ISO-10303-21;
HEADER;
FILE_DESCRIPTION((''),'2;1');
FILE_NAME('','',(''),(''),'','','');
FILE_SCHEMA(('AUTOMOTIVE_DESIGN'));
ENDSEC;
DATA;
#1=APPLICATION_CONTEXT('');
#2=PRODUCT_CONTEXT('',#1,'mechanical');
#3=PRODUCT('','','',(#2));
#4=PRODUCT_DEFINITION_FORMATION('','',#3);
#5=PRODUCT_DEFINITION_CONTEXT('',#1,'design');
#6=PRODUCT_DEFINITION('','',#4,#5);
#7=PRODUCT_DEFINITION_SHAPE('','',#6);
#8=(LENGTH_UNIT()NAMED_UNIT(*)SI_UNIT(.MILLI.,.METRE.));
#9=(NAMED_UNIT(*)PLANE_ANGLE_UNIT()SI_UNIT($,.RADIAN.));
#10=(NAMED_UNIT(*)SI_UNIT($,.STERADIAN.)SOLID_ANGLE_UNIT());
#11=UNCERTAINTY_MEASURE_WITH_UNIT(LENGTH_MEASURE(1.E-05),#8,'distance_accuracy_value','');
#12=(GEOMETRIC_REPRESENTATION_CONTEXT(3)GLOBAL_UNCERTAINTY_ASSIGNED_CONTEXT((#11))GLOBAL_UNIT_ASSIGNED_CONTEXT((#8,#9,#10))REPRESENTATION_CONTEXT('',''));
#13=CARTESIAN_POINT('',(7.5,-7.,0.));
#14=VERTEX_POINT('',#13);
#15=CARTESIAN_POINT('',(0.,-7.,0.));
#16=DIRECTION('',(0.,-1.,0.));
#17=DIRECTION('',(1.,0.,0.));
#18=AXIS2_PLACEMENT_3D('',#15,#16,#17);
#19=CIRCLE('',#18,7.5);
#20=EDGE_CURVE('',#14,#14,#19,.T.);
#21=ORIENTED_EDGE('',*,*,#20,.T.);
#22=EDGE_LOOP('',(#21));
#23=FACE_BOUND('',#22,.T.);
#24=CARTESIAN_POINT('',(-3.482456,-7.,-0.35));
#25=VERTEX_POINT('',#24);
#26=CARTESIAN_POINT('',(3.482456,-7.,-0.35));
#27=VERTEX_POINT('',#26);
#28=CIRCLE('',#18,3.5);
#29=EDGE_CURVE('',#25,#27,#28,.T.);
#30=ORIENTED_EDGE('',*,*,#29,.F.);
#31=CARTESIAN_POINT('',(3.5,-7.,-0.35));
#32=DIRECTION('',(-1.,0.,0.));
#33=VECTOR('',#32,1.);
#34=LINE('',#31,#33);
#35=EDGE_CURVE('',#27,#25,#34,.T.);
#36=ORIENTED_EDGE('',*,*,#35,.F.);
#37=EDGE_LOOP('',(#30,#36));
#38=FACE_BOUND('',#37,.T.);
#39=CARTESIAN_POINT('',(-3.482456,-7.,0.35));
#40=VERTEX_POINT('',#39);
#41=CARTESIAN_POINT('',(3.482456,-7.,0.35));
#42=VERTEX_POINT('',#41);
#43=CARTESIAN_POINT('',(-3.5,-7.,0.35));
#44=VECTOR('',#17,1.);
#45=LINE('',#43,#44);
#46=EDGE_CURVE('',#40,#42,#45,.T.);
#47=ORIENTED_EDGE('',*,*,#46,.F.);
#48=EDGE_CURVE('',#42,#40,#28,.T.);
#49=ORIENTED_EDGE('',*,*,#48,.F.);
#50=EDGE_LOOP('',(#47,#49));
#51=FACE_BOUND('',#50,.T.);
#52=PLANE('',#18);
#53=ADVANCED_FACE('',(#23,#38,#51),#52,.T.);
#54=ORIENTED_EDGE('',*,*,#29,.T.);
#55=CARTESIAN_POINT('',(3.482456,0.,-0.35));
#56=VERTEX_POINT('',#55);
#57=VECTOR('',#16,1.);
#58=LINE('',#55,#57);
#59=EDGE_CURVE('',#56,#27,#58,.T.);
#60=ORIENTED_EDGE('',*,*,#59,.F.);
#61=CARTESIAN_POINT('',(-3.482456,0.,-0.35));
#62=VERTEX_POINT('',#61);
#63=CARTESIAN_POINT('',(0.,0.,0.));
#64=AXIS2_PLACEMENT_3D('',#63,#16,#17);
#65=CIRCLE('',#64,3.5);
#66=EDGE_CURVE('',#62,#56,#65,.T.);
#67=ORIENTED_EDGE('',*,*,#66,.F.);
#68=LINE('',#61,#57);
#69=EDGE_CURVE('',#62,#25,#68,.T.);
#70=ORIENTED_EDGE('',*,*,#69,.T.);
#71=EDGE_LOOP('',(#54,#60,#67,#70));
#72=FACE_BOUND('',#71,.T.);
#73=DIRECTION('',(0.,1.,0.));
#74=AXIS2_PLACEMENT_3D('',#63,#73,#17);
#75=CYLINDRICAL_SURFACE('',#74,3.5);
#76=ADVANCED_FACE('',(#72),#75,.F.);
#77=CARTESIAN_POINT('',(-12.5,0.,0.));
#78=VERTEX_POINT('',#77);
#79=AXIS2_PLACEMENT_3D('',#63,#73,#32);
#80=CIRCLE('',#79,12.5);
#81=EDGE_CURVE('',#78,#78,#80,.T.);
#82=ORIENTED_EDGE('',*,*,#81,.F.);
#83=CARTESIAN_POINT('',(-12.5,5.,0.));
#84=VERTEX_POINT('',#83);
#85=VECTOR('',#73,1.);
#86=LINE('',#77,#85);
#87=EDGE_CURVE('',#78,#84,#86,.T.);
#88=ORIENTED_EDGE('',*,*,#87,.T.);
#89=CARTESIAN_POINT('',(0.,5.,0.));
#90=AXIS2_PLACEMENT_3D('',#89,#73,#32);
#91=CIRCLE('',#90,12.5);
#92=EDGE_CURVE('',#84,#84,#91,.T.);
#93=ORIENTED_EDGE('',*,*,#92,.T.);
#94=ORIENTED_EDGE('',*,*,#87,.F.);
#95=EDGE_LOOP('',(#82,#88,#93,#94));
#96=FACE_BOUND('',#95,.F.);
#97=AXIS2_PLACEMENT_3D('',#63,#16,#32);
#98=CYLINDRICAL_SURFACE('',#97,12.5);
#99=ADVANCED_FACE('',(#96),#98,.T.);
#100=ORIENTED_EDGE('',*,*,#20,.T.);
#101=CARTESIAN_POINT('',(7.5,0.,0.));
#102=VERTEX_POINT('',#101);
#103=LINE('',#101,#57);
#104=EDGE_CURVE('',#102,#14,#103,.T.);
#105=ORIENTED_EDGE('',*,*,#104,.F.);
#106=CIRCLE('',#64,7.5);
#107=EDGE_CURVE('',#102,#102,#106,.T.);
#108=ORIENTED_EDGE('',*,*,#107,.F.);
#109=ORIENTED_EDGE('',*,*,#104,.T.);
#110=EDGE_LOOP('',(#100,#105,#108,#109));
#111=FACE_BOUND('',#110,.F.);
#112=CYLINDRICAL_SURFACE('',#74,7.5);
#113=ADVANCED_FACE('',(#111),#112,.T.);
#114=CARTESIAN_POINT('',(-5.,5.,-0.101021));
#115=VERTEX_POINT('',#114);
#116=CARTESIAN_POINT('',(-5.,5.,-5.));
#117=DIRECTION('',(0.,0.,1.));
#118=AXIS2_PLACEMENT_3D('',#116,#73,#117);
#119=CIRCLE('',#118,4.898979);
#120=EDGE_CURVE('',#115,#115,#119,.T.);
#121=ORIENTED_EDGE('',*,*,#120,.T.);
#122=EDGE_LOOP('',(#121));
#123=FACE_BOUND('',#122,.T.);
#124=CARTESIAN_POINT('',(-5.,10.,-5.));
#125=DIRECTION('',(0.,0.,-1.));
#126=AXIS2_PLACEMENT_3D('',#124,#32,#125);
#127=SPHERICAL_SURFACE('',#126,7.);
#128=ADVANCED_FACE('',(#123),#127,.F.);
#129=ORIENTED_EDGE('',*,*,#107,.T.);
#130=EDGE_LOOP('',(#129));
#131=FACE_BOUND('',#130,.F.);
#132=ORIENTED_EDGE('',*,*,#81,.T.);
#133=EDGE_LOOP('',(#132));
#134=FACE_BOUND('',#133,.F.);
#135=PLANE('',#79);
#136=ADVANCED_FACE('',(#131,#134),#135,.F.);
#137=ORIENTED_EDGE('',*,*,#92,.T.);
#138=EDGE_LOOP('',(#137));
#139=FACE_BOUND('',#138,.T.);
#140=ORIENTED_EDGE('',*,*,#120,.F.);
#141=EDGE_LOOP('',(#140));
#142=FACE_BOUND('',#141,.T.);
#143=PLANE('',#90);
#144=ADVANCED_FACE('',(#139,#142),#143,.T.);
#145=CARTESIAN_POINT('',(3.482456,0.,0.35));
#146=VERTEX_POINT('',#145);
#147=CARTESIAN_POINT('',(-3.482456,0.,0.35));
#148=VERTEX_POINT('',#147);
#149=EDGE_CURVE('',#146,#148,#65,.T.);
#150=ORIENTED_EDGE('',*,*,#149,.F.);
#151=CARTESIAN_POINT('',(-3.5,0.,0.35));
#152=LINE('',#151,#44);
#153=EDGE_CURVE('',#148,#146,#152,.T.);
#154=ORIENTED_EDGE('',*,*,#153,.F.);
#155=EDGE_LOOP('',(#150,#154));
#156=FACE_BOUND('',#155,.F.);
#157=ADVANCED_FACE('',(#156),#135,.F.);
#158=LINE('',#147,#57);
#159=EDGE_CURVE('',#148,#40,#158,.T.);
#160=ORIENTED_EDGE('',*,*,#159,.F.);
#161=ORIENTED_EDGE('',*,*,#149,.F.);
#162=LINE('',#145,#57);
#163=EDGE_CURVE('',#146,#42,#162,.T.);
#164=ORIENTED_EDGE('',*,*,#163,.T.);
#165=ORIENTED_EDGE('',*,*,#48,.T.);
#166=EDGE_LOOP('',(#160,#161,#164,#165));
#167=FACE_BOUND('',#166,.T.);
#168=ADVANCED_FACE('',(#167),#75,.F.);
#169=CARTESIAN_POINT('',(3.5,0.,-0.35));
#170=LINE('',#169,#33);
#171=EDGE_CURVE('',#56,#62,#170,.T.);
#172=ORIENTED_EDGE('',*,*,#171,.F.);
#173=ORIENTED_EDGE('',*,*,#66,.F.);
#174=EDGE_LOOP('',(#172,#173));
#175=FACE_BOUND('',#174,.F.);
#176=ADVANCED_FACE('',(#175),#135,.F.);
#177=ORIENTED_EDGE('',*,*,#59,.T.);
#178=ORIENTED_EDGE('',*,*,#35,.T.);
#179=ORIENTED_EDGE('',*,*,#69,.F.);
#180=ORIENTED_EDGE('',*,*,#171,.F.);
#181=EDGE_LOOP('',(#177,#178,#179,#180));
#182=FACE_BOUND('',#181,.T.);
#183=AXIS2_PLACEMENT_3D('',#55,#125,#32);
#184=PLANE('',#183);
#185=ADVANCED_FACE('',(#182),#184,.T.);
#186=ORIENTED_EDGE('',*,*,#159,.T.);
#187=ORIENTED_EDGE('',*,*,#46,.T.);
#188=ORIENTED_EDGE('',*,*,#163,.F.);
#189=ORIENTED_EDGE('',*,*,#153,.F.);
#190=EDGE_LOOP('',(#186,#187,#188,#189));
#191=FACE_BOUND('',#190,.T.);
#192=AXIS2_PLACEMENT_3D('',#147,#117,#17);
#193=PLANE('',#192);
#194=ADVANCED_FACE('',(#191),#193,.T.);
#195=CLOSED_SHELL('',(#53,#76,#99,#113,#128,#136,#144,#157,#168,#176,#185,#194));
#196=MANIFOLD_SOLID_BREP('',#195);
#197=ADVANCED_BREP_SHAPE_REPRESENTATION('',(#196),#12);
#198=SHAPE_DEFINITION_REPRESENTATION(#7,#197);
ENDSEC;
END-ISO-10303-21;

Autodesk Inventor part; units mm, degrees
ref_plane "YZ Plane" through (0, 0, 0) normal (1, 0, 0) x (0, 1, 0)
ref_plane "XZ Plane" through (0, 0, 0) normal (0, 1, 0) x (-1, 0, 0)
ref_plane "XY Plane" through (0, 0, 0) normal (0, 0, 1) x (1, 0, 0)
sketch "Esquisse1" plane through (0, 0, 0) normal (0, 1, 0) x (-1, 0, 0)
  circle A0 centre (0, 0) radius 12.5
  dimension "d0" = 25
extrude "Extrusion1" add sketch "Esquisse1" along normal blind 5
sketch "Esquisse3" plane through (0, 0, 0) normal (0, -1, 0) x (1, 0, 0)
  line L0 (-3.5, 0.35) -> (3.5, 0.35)
  line L1 (3.5, 0.35) -> (3.5, -0.35)
  line L2 (3.5, -0.35) -> (-3.5, -0.35)
  line L3 (-3.5, -0.35) -> (-3.5, 0.35)
  line L4 (-3.5, 0.35) -> (3.5, -0.35) construction
  line L5 (3.5, 0.35) -> (-3.5, -0.35) construction
  circle A0 centre (0, 0) radius 3.5
  circle A1 centre (0, 0) radius 7.5
  point P0 (3.4825, 0.35)
  point P1 (-3.4825, 0.35)
  point P2 (3.4825, -0.35)
  point P3 (-3.4825, -0.35)
  dimension "d12" = 0.7
  dimension "d14" = 7
  dimension "d15" = 4
extrude "Extrusion2" add sketch "Esquisse3" along normal blind 7 contours L0 A0 L3 | L0 A0 L2 | A0 L2 L3 | L0 L1 A0 | L1 L2 A0 | A1
ref_plane "Plan de construction1" through (0, 10, 0) normal (0, 1, 0) x (1, 0, 0)
sketch "Esquisse4" plane through (0, 10, 0) normal (0, 1, 0) x (1, 0, 0)
  line L0 (0, 0) -> (0, 22.3046) construction
  line L1 (-26.1226, 0) -> (0, 0) construction
  line L2 (-3.4825, 0.35) -> (3.4825, 0.35) projected
  arc A0 (2, 5) -> (-12, 5) centre (-5, 5) ccw
  line L3 (-12, 5) -> (2, 5)
  line L4 (-34.5536, 5) -> (31.7867, 5)
  dimension "d19" = 5
  dimension "d20" = 5
  dimension "d21" = 7
revolve "Révolution2" cut sketch "Esquisse4" angle 360 about axis through (-34.5536, 10, -5) along (1, 0, 0)
properties part number "adaptator_potentiometre_test_1"
